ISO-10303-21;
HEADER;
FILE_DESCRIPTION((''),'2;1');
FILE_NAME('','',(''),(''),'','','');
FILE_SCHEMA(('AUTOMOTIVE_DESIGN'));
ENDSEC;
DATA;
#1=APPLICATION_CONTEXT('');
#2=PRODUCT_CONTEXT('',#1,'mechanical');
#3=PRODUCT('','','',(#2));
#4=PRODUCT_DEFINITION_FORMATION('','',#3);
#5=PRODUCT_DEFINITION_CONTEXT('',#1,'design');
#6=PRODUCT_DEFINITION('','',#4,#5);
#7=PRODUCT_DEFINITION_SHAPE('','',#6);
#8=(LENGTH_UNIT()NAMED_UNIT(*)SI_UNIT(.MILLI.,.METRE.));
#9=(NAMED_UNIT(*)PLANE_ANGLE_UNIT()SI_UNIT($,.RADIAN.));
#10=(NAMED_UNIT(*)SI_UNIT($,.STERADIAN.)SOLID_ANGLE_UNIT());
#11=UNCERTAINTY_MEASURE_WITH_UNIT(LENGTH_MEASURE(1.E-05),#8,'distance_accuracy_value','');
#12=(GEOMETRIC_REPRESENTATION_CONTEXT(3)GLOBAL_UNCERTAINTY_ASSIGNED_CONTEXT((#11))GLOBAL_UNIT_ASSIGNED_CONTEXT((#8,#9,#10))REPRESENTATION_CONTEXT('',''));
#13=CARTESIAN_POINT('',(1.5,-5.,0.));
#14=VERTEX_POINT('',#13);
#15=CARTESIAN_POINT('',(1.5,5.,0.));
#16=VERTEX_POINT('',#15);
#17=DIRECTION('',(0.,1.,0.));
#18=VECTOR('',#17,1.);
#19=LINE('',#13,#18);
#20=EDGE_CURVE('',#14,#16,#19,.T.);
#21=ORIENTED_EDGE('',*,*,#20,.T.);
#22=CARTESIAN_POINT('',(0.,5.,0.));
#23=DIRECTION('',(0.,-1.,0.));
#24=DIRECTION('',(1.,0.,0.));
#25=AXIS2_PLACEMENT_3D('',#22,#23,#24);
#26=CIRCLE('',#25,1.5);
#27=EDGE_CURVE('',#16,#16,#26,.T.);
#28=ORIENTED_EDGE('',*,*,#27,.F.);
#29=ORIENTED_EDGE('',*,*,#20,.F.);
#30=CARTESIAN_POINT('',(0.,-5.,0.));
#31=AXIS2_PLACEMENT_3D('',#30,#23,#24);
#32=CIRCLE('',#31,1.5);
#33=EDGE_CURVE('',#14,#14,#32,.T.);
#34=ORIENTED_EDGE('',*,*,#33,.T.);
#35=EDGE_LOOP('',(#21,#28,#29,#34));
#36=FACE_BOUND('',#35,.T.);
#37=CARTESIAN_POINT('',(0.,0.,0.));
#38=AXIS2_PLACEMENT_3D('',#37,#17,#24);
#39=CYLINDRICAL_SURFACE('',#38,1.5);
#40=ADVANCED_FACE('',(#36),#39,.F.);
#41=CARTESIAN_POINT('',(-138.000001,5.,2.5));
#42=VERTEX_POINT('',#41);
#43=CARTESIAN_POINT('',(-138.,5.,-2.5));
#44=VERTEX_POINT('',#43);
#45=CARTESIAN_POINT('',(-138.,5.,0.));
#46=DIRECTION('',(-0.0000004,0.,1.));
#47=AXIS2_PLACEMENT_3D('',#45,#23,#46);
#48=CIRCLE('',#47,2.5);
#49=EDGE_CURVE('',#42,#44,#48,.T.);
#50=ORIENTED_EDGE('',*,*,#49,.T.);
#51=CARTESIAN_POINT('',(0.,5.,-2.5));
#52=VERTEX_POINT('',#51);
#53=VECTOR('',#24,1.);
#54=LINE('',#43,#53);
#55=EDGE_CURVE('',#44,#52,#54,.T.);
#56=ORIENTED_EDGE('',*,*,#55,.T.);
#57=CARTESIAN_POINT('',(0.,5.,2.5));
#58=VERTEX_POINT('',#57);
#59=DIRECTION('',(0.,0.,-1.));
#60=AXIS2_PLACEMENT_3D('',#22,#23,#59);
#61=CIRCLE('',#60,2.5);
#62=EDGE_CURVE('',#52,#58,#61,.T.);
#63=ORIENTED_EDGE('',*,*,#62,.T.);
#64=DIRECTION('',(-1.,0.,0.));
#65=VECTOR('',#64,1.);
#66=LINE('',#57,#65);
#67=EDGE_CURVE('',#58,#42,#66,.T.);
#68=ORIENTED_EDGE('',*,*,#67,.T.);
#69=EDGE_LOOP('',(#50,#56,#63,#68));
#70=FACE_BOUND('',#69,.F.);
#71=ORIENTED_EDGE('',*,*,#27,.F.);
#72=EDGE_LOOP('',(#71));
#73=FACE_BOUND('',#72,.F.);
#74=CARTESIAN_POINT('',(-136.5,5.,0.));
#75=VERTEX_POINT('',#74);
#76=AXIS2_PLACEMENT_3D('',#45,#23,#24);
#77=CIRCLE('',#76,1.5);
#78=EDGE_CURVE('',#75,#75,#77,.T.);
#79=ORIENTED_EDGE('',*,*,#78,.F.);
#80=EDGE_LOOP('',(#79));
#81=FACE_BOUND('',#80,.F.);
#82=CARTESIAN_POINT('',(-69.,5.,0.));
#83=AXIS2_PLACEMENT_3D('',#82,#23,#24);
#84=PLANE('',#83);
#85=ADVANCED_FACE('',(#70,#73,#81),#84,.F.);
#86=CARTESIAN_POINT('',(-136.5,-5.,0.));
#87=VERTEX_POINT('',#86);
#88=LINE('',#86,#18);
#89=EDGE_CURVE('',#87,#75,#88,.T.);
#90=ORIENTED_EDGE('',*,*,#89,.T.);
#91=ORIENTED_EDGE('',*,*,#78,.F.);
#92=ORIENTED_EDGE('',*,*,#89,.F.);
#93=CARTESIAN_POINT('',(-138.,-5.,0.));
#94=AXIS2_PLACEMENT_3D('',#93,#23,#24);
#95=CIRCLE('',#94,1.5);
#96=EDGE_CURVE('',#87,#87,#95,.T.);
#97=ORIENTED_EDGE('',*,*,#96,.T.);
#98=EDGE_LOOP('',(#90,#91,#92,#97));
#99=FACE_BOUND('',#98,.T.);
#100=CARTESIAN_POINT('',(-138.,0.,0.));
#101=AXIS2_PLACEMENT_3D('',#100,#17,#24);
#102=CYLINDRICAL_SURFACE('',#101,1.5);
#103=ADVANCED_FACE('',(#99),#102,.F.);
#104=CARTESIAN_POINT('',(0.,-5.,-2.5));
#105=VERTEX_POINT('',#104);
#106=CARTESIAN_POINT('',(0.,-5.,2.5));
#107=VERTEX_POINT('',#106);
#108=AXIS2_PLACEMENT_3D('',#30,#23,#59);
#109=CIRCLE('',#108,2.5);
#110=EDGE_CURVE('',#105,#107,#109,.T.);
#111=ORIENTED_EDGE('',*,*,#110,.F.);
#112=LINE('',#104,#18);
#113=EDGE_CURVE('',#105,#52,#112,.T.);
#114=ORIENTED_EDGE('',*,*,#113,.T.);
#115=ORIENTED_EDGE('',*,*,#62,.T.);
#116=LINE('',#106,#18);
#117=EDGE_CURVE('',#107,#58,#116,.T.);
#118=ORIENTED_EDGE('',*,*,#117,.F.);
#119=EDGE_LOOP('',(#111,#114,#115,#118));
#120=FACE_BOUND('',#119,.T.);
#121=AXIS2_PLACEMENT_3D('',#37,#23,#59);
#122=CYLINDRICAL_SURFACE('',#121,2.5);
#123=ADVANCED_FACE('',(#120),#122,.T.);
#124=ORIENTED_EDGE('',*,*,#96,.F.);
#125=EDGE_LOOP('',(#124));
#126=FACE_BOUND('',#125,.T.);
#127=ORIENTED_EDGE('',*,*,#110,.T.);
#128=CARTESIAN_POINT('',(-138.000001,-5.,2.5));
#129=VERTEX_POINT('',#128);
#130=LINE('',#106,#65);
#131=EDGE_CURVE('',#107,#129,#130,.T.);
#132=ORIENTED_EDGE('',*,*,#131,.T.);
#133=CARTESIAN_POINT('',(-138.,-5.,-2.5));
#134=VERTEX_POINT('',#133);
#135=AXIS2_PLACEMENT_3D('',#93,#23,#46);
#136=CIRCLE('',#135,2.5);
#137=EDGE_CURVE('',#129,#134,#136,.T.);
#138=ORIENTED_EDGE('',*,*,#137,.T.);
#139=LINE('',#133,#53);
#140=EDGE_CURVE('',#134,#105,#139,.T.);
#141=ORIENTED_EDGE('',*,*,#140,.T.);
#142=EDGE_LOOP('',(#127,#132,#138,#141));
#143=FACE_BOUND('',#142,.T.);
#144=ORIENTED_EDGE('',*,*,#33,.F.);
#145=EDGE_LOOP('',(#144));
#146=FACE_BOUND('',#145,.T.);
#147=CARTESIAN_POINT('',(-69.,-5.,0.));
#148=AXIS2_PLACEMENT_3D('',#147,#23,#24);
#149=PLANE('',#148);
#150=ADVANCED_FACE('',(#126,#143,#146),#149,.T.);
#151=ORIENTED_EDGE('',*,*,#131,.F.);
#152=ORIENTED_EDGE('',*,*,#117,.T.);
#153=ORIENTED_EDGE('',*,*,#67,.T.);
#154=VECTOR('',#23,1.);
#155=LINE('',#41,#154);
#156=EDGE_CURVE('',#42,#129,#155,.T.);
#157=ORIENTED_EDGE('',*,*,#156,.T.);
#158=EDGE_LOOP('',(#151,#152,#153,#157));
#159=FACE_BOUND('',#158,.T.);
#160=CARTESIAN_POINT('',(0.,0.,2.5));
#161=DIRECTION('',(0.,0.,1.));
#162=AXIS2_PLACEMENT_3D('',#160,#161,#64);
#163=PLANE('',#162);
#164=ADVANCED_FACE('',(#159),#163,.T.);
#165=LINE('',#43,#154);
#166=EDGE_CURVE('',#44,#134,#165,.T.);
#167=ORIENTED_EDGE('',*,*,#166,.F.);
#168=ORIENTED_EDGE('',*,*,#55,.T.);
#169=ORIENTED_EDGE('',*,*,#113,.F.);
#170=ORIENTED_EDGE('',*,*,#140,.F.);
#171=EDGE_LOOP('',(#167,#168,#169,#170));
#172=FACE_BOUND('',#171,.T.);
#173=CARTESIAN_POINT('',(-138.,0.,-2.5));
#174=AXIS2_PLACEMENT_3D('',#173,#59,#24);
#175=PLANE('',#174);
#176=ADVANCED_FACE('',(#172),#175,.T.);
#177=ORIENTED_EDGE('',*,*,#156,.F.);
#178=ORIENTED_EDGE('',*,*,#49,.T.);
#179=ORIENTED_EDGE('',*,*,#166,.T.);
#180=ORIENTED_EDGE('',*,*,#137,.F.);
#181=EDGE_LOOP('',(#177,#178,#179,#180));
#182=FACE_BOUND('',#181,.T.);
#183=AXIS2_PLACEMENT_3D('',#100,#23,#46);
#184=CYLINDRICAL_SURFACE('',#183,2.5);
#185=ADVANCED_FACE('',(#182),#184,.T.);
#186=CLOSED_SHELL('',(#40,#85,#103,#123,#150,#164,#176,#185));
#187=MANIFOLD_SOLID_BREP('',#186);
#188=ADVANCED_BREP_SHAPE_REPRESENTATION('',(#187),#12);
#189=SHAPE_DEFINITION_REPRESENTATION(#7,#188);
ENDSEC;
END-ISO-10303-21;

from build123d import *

# Parameters (mm, degrees)
F0_R     = 1.5
F1_DEPTH = 5


with BuildPart() as f1:
    # F0 (on Front) → F1 (new body, symmetric)
    with BuildSketch(Plane.XZ):
        with BuildLine():
            Line((0, 2.5), (-138.000001, 2.5))
            ThreePointArc((-138.000001, 2.5), (-140.5, 0), (-138, -2.5))
            Line((-138, -2.5), (0, -2.5))
            ThreePointArc((0, -2.5), (2.5, 0), (0, 2.5))
        make_face()
        with Locations((-138, 0)):
            Circle(F0_R, mode=Mode.SUBTRACT)
        Circle(F0_R, mode=Mode.SUBTRACT)
    extrude(amount=F1_DEPTH, both=True)


solid = f1.part
